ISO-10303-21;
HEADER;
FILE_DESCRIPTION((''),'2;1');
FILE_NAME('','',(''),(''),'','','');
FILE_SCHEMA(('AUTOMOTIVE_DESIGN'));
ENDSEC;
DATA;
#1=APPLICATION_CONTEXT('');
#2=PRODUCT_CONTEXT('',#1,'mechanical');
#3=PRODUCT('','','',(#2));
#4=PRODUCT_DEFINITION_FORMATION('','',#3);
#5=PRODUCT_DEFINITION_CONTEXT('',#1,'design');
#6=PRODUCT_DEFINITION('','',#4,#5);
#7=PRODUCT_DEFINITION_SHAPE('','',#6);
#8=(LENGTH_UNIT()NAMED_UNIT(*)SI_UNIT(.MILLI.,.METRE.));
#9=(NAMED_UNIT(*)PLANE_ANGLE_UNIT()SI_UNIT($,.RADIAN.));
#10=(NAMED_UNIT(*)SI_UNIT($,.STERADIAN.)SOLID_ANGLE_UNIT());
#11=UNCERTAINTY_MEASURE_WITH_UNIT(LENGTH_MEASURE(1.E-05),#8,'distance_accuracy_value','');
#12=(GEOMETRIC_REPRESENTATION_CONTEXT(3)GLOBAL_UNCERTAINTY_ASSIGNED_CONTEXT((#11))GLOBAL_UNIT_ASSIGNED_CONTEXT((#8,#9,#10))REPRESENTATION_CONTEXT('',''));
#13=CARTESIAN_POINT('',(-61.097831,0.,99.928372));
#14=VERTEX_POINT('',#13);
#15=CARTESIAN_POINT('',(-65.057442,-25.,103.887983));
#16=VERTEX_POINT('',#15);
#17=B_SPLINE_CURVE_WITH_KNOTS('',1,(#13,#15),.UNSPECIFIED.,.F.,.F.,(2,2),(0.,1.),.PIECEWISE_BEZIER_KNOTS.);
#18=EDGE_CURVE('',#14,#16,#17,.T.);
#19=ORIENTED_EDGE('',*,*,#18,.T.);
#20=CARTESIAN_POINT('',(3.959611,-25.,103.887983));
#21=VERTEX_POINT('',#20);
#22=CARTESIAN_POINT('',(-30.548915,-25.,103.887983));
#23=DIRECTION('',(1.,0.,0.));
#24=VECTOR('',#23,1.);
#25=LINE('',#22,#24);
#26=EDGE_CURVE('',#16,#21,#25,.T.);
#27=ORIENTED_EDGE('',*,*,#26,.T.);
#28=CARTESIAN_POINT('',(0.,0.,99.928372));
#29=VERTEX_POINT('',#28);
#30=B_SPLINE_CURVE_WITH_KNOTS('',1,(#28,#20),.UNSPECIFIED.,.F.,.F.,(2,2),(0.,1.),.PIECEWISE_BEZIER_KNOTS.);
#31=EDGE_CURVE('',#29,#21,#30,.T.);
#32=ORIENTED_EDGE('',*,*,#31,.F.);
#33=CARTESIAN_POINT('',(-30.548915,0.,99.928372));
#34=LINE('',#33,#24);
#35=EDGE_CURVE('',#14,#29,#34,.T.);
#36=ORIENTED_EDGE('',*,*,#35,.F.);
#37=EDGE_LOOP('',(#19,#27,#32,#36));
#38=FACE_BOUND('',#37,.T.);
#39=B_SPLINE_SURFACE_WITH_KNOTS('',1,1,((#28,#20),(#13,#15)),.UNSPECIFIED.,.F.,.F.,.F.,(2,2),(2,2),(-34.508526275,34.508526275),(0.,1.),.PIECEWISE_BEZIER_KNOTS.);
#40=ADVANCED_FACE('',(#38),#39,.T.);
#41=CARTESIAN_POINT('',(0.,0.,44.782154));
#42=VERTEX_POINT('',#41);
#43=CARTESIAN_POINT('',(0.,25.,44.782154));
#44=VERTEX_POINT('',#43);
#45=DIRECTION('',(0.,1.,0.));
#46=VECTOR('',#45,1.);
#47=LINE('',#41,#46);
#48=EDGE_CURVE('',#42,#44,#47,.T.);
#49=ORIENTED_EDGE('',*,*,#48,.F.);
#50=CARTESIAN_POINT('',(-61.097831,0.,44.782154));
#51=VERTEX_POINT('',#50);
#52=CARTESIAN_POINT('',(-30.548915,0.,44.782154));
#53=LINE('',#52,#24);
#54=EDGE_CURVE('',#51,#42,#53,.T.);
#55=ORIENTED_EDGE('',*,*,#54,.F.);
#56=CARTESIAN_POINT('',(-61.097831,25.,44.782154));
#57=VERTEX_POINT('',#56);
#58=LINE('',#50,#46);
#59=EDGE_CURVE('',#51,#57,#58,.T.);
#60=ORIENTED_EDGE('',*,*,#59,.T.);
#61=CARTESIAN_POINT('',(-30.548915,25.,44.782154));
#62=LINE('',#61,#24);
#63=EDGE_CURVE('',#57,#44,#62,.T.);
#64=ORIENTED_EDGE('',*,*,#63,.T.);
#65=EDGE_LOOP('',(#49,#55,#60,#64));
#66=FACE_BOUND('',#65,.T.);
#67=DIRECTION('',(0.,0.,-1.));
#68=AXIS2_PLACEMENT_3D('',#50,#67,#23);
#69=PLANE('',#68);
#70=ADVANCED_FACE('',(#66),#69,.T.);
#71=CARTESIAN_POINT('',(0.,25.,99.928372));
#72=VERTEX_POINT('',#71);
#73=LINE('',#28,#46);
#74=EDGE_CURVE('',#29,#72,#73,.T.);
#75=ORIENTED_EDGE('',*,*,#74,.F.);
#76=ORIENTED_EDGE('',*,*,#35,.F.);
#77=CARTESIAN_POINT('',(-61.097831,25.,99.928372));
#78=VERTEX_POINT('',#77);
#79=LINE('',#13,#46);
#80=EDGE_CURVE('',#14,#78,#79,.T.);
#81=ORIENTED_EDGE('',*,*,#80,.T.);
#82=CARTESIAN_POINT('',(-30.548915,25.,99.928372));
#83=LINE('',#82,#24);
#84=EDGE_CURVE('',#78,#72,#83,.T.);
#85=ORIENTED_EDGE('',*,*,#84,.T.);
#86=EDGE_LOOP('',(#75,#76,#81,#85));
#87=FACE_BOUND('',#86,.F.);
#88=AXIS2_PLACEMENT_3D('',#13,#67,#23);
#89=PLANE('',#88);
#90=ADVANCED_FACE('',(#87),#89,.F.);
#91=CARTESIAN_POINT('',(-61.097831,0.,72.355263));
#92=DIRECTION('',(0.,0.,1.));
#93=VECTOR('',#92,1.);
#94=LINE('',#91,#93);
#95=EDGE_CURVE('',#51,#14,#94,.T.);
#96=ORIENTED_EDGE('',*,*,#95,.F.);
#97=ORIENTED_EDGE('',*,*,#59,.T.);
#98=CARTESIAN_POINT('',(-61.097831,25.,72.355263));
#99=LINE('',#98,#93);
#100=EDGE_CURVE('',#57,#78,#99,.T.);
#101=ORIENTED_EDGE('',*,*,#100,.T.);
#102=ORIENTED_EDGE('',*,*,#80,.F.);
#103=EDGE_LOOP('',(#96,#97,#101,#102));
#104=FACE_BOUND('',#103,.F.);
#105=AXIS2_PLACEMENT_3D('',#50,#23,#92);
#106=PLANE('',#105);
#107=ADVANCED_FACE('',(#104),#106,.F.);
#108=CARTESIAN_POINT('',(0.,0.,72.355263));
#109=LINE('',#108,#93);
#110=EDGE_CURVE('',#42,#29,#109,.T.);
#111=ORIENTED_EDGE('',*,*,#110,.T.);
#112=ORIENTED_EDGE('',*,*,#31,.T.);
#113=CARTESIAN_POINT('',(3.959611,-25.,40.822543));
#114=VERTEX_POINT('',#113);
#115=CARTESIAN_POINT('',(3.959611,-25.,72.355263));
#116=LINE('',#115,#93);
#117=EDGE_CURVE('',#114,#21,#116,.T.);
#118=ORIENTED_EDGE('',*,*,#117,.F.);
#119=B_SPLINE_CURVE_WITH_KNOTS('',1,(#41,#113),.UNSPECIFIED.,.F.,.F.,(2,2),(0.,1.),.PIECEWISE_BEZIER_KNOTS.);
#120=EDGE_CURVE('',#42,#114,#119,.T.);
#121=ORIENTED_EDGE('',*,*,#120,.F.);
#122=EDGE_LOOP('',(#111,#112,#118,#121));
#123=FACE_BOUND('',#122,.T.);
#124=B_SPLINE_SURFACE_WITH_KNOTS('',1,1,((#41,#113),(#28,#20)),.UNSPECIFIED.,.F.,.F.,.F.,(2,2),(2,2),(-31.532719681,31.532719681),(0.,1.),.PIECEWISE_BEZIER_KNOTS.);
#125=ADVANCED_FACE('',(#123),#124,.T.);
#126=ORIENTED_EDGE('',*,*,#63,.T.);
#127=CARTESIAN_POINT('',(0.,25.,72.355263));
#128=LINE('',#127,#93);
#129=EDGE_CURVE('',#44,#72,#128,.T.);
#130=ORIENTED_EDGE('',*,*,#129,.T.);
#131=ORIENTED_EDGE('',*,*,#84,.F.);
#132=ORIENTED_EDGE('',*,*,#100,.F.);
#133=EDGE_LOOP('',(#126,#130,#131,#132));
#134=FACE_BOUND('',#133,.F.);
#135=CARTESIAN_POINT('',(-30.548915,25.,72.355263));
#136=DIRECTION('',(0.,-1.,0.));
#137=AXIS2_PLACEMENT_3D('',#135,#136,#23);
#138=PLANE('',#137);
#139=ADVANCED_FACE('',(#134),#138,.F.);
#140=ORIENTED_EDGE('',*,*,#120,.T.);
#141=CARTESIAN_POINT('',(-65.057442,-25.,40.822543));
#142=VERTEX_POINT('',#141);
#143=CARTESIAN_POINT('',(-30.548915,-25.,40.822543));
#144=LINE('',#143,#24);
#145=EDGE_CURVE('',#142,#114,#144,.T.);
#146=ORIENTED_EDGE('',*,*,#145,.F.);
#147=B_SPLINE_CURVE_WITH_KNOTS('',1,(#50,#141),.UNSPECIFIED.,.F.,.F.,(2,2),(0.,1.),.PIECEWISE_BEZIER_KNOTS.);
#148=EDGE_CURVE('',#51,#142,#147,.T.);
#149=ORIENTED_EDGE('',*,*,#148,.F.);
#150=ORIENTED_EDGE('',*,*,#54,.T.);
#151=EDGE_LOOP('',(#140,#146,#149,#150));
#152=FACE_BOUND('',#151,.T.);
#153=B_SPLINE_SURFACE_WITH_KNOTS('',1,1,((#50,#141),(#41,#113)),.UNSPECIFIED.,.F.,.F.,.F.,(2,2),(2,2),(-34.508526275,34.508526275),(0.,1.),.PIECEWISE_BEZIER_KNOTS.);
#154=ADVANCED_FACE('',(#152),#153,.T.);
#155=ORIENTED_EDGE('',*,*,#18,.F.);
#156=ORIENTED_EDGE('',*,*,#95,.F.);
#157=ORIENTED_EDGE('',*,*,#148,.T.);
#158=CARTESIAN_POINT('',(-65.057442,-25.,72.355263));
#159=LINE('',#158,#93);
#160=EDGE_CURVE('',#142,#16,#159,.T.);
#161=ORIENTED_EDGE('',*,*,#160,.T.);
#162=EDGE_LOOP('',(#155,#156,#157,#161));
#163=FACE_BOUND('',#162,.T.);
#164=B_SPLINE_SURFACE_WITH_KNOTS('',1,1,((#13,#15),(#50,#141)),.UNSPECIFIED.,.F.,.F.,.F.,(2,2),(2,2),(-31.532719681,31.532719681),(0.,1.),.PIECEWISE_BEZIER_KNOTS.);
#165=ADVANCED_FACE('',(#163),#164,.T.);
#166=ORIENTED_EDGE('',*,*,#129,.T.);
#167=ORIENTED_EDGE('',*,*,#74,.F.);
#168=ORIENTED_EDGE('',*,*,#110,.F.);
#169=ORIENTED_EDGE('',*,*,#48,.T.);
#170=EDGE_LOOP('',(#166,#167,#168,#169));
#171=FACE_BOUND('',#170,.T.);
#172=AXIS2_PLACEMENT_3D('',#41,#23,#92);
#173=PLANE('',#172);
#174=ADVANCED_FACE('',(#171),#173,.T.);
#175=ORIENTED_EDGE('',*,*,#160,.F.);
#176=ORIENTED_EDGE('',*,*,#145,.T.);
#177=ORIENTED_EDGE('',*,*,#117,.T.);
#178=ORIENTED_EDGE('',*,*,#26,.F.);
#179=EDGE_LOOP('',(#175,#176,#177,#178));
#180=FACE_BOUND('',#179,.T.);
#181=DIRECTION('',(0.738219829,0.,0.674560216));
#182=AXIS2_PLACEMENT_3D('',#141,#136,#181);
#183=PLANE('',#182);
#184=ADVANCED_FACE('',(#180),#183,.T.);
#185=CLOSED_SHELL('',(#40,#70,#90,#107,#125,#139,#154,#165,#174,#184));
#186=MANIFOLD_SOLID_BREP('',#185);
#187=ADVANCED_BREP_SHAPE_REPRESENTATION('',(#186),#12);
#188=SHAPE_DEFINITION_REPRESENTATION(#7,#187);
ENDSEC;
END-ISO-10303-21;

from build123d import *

# Parameters (mm, degrees)
F0_W          = 61.097830534
F0_H          = 55.1462173462
F1_DEPTH      = 25
F1_TAPER      = -9
F1_DEPTH_BACK = 25


with BuildPart() as f1:
    # F0 (on Front) → F1 (new body, two sides)
    with BuildSketch(Plane.XZ) as f1_sk:
        with Locations((-30.548915267, 72.3552629352)):
            Rectangle(F0_W, F0_H)
    extrude(amount=F1_DEPTH, taper=F1_TAPER)
    extrude(f1_sk.sketch, amount=-F1_DEPTH_BACK)


solid = f1.part
